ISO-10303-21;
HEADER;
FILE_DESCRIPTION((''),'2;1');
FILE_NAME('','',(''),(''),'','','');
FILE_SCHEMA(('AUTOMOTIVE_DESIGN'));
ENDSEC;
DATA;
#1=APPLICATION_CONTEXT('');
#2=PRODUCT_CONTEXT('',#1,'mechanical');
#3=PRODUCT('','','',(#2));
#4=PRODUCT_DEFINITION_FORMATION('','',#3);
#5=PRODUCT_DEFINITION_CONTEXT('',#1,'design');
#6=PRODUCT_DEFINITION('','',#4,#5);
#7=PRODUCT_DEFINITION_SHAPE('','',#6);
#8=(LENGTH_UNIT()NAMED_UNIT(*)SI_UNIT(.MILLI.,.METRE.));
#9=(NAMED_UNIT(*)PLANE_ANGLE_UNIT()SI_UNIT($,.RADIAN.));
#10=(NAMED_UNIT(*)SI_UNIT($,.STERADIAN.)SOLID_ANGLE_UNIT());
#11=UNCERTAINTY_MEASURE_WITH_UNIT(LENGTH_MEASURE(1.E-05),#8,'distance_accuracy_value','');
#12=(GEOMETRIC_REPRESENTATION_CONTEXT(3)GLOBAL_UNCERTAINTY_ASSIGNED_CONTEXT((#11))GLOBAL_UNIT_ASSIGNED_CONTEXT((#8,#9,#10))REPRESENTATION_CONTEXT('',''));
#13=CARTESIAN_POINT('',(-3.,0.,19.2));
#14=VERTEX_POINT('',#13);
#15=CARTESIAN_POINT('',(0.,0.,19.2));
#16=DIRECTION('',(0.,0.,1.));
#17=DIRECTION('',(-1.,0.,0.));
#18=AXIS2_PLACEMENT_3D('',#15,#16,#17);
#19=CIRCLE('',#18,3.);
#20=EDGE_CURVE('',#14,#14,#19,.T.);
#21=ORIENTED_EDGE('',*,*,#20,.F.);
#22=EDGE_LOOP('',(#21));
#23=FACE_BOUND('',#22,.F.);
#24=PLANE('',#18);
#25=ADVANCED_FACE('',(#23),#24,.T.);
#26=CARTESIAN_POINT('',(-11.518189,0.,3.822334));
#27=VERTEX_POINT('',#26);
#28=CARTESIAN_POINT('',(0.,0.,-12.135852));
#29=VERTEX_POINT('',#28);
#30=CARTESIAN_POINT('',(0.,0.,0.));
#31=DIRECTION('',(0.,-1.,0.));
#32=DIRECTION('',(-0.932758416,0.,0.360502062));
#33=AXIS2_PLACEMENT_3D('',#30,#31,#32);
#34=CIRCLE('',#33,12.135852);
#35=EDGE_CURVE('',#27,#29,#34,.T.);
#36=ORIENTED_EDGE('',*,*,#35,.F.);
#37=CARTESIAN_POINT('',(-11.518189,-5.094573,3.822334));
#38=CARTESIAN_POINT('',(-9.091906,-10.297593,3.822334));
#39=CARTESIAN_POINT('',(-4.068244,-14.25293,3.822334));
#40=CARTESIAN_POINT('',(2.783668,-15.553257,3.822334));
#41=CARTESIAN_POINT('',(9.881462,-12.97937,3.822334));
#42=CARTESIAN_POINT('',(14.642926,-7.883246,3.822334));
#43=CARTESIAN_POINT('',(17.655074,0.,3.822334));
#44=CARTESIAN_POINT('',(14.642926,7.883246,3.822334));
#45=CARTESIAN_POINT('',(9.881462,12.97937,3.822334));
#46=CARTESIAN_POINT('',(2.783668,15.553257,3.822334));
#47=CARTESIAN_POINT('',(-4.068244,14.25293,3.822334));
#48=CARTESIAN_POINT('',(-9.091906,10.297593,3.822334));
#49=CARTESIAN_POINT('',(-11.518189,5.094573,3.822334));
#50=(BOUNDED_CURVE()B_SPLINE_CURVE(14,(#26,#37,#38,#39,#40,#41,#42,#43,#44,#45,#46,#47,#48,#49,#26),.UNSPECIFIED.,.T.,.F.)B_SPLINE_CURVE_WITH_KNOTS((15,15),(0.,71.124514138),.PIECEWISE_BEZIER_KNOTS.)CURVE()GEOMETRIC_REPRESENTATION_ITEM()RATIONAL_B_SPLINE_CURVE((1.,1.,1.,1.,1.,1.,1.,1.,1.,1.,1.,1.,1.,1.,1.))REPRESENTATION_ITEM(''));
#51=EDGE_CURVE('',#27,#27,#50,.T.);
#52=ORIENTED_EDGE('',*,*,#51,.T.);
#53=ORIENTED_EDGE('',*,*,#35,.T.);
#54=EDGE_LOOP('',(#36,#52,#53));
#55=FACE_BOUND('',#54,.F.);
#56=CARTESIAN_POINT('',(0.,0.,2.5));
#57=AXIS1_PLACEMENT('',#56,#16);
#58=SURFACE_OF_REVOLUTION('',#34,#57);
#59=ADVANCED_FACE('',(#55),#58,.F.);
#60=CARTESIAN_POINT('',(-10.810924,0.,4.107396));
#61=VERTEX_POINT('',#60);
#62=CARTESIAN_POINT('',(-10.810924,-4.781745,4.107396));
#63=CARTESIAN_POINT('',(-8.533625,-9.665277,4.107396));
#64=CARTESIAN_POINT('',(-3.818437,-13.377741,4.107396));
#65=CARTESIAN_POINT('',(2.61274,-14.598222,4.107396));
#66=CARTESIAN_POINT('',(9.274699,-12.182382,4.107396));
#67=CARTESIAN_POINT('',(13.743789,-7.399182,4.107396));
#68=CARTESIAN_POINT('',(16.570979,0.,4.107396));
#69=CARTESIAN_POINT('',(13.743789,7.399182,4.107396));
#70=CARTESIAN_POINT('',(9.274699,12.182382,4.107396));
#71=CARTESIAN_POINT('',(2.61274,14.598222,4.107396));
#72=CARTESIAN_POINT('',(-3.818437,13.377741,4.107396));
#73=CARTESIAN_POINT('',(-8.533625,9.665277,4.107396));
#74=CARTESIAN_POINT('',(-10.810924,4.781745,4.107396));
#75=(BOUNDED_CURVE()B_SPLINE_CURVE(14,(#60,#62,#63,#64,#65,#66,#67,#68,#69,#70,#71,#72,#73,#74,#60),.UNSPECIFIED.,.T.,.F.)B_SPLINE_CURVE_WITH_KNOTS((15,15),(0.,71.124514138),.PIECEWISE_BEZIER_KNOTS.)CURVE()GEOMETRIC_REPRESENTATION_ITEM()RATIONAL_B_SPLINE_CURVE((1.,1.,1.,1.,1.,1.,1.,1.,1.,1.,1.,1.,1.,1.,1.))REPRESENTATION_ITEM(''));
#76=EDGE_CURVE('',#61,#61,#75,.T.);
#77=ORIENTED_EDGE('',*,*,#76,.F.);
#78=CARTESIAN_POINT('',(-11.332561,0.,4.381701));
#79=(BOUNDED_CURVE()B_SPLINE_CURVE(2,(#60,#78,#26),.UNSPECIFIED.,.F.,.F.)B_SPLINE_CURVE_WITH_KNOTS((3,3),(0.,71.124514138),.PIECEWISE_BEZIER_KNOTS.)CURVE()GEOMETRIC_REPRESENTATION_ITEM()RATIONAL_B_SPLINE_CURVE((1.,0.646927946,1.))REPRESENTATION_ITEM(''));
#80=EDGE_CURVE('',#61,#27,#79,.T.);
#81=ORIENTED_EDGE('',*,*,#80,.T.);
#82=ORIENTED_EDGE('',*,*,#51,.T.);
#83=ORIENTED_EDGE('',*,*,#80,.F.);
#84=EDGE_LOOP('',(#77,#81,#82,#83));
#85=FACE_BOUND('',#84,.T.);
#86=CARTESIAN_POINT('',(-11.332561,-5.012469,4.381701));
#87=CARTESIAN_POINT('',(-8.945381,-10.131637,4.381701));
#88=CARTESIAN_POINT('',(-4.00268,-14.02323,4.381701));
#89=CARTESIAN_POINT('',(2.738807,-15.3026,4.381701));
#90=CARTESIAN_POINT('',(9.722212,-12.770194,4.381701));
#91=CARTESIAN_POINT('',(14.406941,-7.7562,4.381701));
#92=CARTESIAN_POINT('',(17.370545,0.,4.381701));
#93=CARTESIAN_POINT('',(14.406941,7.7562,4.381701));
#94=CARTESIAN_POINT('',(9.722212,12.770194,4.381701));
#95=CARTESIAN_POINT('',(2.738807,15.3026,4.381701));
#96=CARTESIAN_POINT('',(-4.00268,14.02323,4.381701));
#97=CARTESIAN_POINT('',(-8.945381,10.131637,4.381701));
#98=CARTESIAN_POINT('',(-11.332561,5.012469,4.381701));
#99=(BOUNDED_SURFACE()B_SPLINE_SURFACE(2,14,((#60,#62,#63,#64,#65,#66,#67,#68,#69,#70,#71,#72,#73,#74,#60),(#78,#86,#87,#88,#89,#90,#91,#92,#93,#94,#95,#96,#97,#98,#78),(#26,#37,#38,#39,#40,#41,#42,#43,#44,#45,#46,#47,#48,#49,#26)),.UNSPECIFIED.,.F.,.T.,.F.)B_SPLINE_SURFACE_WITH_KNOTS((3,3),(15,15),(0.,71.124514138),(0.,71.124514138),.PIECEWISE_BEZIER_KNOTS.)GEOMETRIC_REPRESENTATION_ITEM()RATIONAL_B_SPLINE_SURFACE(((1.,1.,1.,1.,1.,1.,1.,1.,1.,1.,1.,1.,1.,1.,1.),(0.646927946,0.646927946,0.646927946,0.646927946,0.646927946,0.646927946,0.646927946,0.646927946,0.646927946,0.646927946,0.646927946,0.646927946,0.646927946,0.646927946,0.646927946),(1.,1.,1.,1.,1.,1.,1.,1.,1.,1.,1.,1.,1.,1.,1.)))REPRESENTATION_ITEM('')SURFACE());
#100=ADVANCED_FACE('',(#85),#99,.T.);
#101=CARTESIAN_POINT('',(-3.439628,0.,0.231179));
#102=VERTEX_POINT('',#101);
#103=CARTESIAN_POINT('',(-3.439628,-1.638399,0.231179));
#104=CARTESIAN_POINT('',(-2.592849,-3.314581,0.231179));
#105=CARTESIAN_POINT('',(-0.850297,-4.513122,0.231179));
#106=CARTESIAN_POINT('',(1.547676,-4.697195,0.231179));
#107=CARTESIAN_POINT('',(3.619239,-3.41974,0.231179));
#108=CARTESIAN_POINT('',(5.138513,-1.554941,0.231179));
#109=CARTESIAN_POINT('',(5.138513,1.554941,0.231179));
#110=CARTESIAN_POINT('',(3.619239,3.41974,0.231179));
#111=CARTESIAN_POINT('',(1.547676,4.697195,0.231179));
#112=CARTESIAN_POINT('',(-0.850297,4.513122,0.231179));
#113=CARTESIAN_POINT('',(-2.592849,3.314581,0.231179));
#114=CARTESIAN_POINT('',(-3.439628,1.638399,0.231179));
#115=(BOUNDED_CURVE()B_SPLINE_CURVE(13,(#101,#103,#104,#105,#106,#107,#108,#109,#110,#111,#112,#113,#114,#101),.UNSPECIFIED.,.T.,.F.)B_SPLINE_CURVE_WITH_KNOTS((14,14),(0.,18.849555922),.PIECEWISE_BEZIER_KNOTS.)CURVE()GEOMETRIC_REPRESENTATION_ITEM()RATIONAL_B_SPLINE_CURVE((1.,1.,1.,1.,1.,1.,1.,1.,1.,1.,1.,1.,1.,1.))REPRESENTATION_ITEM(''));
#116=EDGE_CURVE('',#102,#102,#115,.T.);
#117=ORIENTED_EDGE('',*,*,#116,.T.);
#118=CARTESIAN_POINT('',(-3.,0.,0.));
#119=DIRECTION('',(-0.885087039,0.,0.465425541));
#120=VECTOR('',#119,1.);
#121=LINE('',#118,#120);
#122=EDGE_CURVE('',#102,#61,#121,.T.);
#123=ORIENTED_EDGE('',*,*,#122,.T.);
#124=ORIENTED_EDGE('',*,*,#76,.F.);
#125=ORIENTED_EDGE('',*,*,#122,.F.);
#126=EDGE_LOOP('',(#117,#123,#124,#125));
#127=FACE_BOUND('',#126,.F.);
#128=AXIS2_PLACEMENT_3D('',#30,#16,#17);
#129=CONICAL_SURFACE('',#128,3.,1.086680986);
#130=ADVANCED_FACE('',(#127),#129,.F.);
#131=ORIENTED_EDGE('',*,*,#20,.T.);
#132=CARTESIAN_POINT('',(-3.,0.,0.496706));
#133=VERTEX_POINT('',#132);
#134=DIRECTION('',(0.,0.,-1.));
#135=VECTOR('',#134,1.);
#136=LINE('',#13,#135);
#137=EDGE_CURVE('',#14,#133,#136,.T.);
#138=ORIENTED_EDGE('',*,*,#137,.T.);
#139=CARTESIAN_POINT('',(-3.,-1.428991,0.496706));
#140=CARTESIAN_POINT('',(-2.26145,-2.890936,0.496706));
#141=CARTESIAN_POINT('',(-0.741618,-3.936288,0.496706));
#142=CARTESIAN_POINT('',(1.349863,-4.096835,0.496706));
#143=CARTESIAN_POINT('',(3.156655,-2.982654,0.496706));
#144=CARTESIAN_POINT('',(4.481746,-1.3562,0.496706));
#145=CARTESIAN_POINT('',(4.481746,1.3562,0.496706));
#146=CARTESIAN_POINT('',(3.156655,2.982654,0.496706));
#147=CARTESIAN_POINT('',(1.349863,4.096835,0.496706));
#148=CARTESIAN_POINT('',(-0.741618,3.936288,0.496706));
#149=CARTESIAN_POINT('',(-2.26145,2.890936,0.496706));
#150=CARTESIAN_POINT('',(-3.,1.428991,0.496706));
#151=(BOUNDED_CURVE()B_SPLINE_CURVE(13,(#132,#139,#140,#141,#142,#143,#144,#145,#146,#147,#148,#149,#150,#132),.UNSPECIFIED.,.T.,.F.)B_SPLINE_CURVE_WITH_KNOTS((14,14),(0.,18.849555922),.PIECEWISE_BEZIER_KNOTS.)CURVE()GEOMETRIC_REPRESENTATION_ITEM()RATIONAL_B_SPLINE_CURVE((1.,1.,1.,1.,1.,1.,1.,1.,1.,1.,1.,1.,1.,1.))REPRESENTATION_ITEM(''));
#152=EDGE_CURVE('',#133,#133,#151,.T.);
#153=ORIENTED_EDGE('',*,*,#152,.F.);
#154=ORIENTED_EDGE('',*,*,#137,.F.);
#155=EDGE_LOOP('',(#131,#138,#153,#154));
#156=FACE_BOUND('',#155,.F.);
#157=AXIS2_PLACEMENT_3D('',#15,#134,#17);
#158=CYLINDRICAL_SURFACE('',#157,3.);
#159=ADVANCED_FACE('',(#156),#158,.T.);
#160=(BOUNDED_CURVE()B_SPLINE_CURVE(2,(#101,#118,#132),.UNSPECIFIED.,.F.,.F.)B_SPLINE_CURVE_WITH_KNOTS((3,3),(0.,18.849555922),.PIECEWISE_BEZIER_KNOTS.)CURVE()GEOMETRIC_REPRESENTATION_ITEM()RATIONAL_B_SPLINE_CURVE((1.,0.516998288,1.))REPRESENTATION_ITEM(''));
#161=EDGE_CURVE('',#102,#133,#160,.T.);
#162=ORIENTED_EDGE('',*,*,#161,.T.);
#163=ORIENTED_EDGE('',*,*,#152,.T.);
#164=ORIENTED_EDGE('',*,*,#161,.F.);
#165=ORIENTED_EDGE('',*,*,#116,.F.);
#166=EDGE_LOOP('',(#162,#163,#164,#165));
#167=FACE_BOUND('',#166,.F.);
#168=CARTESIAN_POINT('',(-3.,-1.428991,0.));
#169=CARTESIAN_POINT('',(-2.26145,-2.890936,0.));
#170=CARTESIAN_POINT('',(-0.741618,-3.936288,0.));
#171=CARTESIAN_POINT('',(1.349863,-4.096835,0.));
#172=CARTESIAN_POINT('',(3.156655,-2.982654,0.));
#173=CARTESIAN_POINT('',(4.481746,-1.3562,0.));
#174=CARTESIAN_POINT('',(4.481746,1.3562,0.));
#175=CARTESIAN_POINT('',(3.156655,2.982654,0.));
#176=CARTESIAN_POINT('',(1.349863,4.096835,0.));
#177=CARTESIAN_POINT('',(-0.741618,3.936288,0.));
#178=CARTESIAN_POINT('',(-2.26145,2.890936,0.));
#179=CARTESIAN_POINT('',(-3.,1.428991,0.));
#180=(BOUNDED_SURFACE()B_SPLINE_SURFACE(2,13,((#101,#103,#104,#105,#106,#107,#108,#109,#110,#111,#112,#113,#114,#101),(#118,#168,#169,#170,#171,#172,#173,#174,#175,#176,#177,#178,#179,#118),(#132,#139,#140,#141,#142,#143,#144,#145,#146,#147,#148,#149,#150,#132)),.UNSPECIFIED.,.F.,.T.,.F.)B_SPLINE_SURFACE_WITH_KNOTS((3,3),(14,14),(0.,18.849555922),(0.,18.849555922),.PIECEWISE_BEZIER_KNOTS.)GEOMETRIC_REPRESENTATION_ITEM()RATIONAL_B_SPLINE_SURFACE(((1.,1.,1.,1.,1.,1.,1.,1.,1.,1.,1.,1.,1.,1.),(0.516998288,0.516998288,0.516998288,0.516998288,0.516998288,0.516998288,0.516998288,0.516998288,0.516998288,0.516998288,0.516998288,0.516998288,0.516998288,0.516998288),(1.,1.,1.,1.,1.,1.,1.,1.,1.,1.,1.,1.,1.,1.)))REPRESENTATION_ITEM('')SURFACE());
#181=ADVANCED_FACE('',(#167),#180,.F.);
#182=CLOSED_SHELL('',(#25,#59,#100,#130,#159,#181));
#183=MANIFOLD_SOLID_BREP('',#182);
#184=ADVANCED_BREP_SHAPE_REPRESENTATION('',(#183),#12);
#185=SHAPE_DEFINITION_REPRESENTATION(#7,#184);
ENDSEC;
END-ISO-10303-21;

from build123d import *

# Parameters (mm, degrees)
F2_R = 0.5
F3_R = 0.3


with BuildPart() as f1:
    # F0 (on Front) → F1 (revolve)
    with BuildSketch(Plane.XZ):
        with BuildLine():
            Line((0, -12.135852), (0, 19.2))
            Line((0, 19.2), (-3, 19.2))
            Line((-3, 19.2), (-3, 0))
            Line((-3, 0), (-11.319818, 4.375))
            ThreePointArc((-11.319818, 4.375), (-10.009327, -6.862381), (0, -12.135852))
        make_face()
    revolve(axis=Axis((0, 0, 2.5), (0, 0, 1)))

    # F2
    f2_edges = [f1.edges().sort_by_distance(p)[0] for p in [
        (11.319818, 0, 4.375),
    ]]
    fillet(f2_edges, radius=F2_R)

    # F3
    f3_edges = [f1.edges().sort_by_distance(p)[0] for p in [
        (3, 0, 0),
    ]]
    fillet(f3_edges, radius=F3_R)


solid = f1.part
